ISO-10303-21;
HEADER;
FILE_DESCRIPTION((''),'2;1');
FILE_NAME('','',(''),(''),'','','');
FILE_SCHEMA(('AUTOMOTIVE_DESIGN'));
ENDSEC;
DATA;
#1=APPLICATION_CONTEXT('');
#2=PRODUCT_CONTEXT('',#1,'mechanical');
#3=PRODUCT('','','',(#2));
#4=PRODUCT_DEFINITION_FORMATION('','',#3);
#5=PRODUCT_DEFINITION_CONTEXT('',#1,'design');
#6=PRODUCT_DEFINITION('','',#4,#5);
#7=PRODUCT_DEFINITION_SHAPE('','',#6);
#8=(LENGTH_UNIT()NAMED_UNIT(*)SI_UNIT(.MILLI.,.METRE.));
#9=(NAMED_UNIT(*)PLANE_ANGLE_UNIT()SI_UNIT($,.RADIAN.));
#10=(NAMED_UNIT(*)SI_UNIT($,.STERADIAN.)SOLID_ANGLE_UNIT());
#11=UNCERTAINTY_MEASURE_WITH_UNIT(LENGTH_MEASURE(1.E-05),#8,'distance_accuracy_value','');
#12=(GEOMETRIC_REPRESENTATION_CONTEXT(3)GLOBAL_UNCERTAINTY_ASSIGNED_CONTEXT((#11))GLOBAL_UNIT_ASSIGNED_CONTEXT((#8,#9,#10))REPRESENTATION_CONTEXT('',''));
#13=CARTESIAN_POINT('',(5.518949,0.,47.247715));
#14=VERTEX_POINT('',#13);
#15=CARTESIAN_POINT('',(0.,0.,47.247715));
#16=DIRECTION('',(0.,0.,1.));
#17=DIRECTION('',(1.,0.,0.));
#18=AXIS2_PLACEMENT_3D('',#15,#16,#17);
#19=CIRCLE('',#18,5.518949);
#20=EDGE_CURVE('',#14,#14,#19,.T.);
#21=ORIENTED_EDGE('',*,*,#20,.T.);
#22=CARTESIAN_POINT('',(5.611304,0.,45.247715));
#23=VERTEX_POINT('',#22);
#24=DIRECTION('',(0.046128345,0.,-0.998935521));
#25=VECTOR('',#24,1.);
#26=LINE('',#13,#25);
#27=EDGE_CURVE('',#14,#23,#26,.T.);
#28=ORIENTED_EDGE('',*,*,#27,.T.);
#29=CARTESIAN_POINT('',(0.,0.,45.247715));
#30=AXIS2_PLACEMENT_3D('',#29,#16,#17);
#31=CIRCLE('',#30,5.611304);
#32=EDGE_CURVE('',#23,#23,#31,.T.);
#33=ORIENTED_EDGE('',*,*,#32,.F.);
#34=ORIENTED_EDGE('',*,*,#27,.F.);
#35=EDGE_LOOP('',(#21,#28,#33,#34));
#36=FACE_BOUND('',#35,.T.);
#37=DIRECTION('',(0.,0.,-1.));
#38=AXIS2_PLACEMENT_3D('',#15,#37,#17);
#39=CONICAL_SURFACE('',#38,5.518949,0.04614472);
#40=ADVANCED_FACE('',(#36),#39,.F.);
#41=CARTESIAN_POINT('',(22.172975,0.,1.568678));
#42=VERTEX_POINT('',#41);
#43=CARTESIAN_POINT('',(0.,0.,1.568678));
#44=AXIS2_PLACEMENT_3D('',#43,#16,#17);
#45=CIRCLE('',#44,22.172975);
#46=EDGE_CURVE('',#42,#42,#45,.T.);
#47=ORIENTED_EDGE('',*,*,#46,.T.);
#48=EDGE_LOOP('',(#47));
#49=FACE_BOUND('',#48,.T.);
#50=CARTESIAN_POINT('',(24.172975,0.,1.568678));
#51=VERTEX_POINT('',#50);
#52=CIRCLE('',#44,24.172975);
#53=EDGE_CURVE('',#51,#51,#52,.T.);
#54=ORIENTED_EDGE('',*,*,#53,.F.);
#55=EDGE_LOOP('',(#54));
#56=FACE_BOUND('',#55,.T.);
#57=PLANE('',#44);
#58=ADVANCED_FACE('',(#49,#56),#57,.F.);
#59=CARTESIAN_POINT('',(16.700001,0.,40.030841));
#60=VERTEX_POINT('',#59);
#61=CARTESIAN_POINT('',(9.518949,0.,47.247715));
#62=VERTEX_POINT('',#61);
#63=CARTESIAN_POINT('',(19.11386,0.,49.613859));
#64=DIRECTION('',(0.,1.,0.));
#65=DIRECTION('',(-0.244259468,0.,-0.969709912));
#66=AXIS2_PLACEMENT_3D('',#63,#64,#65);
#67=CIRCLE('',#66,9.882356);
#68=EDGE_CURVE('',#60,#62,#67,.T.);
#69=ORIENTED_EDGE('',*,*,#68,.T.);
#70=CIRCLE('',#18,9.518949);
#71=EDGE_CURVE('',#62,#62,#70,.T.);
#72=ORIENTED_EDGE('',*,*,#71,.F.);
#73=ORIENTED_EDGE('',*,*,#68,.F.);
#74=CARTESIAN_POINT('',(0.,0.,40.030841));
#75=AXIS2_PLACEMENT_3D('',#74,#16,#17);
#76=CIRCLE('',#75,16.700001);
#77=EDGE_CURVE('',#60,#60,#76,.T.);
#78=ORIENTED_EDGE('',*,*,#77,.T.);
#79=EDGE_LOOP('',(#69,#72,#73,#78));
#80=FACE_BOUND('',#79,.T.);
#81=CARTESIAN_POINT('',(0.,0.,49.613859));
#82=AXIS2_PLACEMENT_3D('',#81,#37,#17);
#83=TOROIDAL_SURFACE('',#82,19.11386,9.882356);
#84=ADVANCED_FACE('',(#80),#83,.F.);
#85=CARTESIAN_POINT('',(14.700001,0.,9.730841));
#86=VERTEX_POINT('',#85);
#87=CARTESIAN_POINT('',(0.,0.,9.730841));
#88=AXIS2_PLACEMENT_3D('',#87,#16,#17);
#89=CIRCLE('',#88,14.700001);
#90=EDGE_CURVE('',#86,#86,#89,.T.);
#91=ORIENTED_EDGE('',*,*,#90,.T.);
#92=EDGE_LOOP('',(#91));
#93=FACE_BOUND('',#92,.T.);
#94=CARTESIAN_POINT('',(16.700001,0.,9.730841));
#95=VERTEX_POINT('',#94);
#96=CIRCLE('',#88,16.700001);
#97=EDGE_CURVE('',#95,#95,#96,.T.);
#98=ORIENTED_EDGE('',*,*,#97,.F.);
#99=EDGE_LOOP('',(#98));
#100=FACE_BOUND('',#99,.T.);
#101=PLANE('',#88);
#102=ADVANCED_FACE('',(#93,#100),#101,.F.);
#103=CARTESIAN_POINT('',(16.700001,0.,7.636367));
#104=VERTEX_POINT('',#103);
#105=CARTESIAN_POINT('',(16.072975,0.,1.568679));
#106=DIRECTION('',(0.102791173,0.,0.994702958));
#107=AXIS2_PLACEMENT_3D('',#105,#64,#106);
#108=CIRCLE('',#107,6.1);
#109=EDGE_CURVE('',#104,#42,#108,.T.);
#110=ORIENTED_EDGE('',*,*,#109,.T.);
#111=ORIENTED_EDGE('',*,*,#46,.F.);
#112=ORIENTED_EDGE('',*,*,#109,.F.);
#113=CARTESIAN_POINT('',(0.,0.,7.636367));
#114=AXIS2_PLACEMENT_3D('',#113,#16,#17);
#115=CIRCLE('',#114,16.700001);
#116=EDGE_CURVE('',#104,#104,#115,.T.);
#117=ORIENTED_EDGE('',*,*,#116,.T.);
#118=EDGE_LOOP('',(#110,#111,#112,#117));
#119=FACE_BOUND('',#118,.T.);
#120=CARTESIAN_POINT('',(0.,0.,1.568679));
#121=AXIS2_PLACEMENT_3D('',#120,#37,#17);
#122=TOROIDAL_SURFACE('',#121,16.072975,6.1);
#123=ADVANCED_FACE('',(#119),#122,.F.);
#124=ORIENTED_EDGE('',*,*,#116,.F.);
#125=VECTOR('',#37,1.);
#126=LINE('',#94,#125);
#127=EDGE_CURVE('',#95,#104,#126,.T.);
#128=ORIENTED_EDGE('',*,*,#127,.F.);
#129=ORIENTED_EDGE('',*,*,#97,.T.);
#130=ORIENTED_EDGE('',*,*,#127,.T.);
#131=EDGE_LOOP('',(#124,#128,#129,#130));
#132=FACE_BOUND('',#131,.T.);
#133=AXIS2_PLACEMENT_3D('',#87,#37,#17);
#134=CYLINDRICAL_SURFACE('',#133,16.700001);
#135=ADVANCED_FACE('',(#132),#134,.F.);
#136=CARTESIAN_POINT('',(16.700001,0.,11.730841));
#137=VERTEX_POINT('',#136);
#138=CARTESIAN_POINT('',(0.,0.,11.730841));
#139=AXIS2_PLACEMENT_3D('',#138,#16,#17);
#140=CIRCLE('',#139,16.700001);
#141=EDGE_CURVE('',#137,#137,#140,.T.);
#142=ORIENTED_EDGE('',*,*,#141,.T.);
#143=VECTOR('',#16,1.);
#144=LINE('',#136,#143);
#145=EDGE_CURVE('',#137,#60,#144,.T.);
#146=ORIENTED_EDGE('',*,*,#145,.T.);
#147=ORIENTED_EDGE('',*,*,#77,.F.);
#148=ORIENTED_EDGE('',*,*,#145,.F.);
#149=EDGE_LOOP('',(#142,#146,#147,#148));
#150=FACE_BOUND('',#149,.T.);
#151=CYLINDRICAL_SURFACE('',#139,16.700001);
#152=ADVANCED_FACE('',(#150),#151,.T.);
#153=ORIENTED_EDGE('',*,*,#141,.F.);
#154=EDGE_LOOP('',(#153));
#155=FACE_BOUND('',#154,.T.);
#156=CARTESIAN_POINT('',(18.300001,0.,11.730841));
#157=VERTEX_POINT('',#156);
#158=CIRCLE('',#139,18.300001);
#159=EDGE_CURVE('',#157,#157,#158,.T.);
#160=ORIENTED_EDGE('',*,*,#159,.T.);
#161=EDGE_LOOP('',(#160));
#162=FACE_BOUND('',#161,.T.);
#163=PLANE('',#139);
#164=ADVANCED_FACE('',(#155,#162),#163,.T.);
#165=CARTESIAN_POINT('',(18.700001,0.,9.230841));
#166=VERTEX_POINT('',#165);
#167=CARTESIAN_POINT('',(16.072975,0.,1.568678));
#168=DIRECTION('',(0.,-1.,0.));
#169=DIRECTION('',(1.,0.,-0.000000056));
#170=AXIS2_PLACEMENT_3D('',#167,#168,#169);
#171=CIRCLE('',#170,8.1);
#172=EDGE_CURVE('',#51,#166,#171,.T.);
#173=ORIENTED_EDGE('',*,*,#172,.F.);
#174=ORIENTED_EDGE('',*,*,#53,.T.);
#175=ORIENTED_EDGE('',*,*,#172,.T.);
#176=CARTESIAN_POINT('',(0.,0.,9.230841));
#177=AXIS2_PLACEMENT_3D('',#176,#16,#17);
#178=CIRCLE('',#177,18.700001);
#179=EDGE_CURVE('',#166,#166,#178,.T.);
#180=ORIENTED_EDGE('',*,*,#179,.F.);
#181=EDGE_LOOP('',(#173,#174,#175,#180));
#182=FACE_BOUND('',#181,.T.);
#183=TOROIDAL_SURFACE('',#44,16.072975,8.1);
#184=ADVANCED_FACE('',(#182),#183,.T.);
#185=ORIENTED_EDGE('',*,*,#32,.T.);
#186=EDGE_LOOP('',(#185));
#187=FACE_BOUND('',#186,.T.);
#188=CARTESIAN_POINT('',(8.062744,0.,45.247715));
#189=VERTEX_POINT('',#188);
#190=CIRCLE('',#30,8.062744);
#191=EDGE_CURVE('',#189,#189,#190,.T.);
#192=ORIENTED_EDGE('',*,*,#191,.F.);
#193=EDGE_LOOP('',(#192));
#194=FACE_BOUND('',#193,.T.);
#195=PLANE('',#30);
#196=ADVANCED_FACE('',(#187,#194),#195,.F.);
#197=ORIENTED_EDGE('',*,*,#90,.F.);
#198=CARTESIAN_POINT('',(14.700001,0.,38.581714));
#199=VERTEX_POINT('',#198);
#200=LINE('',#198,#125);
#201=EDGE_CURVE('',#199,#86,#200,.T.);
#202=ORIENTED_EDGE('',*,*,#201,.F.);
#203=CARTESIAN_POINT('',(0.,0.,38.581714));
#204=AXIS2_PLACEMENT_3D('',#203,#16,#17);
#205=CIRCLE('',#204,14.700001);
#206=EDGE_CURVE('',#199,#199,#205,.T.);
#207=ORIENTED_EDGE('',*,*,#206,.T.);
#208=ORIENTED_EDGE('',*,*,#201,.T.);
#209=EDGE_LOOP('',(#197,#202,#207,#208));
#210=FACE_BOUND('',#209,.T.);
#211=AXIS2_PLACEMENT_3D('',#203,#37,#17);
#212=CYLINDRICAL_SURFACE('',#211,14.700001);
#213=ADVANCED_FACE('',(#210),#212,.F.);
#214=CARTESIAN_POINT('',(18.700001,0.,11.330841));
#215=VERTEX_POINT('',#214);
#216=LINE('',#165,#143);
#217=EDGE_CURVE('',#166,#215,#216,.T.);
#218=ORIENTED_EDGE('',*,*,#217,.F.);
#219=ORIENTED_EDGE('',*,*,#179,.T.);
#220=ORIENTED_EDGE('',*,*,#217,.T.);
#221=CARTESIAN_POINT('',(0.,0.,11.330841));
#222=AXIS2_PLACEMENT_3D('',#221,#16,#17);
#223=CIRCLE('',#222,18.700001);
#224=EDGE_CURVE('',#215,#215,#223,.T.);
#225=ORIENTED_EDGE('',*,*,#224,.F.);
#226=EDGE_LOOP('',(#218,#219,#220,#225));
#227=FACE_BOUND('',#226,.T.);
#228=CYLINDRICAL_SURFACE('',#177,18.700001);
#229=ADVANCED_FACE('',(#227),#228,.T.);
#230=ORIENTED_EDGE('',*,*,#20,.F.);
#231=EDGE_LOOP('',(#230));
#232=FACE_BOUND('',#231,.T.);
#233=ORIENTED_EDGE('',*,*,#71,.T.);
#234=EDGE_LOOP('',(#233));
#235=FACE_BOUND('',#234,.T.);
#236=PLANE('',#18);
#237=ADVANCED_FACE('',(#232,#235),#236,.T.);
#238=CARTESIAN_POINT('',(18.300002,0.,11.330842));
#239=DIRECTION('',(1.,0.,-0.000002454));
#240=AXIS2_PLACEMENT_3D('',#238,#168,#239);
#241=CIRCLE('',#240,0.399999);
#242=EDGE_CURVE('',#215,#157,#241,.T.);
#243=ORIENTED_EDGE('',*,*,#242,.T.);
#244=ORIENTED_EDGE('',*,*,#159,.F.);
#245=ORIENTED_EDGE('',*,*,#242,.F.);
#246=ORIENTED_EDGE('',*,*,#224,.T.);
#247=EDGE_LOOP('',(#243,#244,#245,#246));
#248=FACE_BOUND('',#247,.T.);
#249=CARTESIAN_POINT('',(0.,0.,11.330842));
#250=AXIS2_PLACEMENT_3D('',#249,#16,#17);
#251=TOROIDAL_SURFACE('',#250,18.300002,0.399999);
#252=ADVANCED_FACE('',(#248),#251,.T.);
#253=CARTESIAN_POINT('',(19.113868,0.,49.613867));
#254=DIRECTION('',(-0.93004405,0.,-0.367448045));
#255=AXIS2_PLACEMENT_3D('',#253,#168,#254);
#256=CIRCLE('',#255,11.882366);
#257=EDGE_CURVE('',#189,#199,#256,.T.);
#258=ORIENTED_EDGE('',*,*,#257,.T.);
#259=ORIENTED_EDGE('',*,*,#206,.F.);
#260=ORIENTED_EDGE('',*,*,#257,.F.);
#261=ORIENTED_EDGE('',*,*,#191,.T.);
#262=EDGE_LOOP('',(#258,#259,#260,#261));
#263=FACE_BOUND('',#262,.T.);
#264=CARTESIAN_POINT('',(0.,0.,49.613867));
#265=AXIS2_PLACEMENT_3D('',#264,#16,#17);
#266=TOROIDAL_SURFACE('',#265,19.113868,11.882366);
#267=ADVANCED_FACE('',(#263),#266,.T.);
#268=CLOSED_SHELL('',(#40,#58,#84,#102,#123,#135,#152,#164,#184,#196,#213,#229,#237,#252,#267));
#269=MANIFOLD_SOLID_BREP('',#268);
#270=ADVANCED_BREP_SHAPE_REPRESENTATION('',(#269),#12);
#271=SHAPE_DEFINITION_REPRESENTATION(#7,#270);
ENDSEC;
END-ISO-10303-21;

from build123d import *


with BuildPart() as f1:
    # F0 (on Front) → F1 (revolve)
    with BuildSketch(Plane.XZ):
        with BuildLine():
            Line((9.518949, 47.247715), (5.518949, 47.247715))
            Line((5.518949, 47.247715), (5.611304, 45.247715))
            Line((5.611304, 45.247715), (8.062744, 45.247715))
            ThreePointArc((8.062744, 45.247715), (10.693632, 41.229939), (14.700001, 38.581714))
            Line((14.700001, 38.581714), (14.700001, 9.730841))
            Line((14.700001, 9.730841), (16.700001, 9.730841))
            Line((16.700001, 9.730841), (16.700001, 7.636367))
            ThreePointArc((16.700001, 7.636367), (20.602592, 5.654333), (22.172975, 1.568678))
            Line((22.172975, 1.568678), (24.172975, 1.568678))
            ThreePointArc((24.172975, 1.568678), (22.664216, 6.276708), (18.700001, 9.230841))
            Line((18.700001, 9.230841), (18.700001, 11.330841))
            ThreePointArc((18.700001, 11.330841), (18.582844, 11.613684), (18.300001, 11.730841))
            Line((18.300001, 11.730841), (16.700001, 11.730841))
            Line((16.700001, 11.730841), (16.700001, 40.030841))
            ThreePointArc((16.700001, 40.030841), (12.108615, 42.643386), (9.518949, 47.247715))
        make_face()
    revolve(axis=Axis((0, 0, 7.684152), (0, 0, 1)))


solid = f1.part
